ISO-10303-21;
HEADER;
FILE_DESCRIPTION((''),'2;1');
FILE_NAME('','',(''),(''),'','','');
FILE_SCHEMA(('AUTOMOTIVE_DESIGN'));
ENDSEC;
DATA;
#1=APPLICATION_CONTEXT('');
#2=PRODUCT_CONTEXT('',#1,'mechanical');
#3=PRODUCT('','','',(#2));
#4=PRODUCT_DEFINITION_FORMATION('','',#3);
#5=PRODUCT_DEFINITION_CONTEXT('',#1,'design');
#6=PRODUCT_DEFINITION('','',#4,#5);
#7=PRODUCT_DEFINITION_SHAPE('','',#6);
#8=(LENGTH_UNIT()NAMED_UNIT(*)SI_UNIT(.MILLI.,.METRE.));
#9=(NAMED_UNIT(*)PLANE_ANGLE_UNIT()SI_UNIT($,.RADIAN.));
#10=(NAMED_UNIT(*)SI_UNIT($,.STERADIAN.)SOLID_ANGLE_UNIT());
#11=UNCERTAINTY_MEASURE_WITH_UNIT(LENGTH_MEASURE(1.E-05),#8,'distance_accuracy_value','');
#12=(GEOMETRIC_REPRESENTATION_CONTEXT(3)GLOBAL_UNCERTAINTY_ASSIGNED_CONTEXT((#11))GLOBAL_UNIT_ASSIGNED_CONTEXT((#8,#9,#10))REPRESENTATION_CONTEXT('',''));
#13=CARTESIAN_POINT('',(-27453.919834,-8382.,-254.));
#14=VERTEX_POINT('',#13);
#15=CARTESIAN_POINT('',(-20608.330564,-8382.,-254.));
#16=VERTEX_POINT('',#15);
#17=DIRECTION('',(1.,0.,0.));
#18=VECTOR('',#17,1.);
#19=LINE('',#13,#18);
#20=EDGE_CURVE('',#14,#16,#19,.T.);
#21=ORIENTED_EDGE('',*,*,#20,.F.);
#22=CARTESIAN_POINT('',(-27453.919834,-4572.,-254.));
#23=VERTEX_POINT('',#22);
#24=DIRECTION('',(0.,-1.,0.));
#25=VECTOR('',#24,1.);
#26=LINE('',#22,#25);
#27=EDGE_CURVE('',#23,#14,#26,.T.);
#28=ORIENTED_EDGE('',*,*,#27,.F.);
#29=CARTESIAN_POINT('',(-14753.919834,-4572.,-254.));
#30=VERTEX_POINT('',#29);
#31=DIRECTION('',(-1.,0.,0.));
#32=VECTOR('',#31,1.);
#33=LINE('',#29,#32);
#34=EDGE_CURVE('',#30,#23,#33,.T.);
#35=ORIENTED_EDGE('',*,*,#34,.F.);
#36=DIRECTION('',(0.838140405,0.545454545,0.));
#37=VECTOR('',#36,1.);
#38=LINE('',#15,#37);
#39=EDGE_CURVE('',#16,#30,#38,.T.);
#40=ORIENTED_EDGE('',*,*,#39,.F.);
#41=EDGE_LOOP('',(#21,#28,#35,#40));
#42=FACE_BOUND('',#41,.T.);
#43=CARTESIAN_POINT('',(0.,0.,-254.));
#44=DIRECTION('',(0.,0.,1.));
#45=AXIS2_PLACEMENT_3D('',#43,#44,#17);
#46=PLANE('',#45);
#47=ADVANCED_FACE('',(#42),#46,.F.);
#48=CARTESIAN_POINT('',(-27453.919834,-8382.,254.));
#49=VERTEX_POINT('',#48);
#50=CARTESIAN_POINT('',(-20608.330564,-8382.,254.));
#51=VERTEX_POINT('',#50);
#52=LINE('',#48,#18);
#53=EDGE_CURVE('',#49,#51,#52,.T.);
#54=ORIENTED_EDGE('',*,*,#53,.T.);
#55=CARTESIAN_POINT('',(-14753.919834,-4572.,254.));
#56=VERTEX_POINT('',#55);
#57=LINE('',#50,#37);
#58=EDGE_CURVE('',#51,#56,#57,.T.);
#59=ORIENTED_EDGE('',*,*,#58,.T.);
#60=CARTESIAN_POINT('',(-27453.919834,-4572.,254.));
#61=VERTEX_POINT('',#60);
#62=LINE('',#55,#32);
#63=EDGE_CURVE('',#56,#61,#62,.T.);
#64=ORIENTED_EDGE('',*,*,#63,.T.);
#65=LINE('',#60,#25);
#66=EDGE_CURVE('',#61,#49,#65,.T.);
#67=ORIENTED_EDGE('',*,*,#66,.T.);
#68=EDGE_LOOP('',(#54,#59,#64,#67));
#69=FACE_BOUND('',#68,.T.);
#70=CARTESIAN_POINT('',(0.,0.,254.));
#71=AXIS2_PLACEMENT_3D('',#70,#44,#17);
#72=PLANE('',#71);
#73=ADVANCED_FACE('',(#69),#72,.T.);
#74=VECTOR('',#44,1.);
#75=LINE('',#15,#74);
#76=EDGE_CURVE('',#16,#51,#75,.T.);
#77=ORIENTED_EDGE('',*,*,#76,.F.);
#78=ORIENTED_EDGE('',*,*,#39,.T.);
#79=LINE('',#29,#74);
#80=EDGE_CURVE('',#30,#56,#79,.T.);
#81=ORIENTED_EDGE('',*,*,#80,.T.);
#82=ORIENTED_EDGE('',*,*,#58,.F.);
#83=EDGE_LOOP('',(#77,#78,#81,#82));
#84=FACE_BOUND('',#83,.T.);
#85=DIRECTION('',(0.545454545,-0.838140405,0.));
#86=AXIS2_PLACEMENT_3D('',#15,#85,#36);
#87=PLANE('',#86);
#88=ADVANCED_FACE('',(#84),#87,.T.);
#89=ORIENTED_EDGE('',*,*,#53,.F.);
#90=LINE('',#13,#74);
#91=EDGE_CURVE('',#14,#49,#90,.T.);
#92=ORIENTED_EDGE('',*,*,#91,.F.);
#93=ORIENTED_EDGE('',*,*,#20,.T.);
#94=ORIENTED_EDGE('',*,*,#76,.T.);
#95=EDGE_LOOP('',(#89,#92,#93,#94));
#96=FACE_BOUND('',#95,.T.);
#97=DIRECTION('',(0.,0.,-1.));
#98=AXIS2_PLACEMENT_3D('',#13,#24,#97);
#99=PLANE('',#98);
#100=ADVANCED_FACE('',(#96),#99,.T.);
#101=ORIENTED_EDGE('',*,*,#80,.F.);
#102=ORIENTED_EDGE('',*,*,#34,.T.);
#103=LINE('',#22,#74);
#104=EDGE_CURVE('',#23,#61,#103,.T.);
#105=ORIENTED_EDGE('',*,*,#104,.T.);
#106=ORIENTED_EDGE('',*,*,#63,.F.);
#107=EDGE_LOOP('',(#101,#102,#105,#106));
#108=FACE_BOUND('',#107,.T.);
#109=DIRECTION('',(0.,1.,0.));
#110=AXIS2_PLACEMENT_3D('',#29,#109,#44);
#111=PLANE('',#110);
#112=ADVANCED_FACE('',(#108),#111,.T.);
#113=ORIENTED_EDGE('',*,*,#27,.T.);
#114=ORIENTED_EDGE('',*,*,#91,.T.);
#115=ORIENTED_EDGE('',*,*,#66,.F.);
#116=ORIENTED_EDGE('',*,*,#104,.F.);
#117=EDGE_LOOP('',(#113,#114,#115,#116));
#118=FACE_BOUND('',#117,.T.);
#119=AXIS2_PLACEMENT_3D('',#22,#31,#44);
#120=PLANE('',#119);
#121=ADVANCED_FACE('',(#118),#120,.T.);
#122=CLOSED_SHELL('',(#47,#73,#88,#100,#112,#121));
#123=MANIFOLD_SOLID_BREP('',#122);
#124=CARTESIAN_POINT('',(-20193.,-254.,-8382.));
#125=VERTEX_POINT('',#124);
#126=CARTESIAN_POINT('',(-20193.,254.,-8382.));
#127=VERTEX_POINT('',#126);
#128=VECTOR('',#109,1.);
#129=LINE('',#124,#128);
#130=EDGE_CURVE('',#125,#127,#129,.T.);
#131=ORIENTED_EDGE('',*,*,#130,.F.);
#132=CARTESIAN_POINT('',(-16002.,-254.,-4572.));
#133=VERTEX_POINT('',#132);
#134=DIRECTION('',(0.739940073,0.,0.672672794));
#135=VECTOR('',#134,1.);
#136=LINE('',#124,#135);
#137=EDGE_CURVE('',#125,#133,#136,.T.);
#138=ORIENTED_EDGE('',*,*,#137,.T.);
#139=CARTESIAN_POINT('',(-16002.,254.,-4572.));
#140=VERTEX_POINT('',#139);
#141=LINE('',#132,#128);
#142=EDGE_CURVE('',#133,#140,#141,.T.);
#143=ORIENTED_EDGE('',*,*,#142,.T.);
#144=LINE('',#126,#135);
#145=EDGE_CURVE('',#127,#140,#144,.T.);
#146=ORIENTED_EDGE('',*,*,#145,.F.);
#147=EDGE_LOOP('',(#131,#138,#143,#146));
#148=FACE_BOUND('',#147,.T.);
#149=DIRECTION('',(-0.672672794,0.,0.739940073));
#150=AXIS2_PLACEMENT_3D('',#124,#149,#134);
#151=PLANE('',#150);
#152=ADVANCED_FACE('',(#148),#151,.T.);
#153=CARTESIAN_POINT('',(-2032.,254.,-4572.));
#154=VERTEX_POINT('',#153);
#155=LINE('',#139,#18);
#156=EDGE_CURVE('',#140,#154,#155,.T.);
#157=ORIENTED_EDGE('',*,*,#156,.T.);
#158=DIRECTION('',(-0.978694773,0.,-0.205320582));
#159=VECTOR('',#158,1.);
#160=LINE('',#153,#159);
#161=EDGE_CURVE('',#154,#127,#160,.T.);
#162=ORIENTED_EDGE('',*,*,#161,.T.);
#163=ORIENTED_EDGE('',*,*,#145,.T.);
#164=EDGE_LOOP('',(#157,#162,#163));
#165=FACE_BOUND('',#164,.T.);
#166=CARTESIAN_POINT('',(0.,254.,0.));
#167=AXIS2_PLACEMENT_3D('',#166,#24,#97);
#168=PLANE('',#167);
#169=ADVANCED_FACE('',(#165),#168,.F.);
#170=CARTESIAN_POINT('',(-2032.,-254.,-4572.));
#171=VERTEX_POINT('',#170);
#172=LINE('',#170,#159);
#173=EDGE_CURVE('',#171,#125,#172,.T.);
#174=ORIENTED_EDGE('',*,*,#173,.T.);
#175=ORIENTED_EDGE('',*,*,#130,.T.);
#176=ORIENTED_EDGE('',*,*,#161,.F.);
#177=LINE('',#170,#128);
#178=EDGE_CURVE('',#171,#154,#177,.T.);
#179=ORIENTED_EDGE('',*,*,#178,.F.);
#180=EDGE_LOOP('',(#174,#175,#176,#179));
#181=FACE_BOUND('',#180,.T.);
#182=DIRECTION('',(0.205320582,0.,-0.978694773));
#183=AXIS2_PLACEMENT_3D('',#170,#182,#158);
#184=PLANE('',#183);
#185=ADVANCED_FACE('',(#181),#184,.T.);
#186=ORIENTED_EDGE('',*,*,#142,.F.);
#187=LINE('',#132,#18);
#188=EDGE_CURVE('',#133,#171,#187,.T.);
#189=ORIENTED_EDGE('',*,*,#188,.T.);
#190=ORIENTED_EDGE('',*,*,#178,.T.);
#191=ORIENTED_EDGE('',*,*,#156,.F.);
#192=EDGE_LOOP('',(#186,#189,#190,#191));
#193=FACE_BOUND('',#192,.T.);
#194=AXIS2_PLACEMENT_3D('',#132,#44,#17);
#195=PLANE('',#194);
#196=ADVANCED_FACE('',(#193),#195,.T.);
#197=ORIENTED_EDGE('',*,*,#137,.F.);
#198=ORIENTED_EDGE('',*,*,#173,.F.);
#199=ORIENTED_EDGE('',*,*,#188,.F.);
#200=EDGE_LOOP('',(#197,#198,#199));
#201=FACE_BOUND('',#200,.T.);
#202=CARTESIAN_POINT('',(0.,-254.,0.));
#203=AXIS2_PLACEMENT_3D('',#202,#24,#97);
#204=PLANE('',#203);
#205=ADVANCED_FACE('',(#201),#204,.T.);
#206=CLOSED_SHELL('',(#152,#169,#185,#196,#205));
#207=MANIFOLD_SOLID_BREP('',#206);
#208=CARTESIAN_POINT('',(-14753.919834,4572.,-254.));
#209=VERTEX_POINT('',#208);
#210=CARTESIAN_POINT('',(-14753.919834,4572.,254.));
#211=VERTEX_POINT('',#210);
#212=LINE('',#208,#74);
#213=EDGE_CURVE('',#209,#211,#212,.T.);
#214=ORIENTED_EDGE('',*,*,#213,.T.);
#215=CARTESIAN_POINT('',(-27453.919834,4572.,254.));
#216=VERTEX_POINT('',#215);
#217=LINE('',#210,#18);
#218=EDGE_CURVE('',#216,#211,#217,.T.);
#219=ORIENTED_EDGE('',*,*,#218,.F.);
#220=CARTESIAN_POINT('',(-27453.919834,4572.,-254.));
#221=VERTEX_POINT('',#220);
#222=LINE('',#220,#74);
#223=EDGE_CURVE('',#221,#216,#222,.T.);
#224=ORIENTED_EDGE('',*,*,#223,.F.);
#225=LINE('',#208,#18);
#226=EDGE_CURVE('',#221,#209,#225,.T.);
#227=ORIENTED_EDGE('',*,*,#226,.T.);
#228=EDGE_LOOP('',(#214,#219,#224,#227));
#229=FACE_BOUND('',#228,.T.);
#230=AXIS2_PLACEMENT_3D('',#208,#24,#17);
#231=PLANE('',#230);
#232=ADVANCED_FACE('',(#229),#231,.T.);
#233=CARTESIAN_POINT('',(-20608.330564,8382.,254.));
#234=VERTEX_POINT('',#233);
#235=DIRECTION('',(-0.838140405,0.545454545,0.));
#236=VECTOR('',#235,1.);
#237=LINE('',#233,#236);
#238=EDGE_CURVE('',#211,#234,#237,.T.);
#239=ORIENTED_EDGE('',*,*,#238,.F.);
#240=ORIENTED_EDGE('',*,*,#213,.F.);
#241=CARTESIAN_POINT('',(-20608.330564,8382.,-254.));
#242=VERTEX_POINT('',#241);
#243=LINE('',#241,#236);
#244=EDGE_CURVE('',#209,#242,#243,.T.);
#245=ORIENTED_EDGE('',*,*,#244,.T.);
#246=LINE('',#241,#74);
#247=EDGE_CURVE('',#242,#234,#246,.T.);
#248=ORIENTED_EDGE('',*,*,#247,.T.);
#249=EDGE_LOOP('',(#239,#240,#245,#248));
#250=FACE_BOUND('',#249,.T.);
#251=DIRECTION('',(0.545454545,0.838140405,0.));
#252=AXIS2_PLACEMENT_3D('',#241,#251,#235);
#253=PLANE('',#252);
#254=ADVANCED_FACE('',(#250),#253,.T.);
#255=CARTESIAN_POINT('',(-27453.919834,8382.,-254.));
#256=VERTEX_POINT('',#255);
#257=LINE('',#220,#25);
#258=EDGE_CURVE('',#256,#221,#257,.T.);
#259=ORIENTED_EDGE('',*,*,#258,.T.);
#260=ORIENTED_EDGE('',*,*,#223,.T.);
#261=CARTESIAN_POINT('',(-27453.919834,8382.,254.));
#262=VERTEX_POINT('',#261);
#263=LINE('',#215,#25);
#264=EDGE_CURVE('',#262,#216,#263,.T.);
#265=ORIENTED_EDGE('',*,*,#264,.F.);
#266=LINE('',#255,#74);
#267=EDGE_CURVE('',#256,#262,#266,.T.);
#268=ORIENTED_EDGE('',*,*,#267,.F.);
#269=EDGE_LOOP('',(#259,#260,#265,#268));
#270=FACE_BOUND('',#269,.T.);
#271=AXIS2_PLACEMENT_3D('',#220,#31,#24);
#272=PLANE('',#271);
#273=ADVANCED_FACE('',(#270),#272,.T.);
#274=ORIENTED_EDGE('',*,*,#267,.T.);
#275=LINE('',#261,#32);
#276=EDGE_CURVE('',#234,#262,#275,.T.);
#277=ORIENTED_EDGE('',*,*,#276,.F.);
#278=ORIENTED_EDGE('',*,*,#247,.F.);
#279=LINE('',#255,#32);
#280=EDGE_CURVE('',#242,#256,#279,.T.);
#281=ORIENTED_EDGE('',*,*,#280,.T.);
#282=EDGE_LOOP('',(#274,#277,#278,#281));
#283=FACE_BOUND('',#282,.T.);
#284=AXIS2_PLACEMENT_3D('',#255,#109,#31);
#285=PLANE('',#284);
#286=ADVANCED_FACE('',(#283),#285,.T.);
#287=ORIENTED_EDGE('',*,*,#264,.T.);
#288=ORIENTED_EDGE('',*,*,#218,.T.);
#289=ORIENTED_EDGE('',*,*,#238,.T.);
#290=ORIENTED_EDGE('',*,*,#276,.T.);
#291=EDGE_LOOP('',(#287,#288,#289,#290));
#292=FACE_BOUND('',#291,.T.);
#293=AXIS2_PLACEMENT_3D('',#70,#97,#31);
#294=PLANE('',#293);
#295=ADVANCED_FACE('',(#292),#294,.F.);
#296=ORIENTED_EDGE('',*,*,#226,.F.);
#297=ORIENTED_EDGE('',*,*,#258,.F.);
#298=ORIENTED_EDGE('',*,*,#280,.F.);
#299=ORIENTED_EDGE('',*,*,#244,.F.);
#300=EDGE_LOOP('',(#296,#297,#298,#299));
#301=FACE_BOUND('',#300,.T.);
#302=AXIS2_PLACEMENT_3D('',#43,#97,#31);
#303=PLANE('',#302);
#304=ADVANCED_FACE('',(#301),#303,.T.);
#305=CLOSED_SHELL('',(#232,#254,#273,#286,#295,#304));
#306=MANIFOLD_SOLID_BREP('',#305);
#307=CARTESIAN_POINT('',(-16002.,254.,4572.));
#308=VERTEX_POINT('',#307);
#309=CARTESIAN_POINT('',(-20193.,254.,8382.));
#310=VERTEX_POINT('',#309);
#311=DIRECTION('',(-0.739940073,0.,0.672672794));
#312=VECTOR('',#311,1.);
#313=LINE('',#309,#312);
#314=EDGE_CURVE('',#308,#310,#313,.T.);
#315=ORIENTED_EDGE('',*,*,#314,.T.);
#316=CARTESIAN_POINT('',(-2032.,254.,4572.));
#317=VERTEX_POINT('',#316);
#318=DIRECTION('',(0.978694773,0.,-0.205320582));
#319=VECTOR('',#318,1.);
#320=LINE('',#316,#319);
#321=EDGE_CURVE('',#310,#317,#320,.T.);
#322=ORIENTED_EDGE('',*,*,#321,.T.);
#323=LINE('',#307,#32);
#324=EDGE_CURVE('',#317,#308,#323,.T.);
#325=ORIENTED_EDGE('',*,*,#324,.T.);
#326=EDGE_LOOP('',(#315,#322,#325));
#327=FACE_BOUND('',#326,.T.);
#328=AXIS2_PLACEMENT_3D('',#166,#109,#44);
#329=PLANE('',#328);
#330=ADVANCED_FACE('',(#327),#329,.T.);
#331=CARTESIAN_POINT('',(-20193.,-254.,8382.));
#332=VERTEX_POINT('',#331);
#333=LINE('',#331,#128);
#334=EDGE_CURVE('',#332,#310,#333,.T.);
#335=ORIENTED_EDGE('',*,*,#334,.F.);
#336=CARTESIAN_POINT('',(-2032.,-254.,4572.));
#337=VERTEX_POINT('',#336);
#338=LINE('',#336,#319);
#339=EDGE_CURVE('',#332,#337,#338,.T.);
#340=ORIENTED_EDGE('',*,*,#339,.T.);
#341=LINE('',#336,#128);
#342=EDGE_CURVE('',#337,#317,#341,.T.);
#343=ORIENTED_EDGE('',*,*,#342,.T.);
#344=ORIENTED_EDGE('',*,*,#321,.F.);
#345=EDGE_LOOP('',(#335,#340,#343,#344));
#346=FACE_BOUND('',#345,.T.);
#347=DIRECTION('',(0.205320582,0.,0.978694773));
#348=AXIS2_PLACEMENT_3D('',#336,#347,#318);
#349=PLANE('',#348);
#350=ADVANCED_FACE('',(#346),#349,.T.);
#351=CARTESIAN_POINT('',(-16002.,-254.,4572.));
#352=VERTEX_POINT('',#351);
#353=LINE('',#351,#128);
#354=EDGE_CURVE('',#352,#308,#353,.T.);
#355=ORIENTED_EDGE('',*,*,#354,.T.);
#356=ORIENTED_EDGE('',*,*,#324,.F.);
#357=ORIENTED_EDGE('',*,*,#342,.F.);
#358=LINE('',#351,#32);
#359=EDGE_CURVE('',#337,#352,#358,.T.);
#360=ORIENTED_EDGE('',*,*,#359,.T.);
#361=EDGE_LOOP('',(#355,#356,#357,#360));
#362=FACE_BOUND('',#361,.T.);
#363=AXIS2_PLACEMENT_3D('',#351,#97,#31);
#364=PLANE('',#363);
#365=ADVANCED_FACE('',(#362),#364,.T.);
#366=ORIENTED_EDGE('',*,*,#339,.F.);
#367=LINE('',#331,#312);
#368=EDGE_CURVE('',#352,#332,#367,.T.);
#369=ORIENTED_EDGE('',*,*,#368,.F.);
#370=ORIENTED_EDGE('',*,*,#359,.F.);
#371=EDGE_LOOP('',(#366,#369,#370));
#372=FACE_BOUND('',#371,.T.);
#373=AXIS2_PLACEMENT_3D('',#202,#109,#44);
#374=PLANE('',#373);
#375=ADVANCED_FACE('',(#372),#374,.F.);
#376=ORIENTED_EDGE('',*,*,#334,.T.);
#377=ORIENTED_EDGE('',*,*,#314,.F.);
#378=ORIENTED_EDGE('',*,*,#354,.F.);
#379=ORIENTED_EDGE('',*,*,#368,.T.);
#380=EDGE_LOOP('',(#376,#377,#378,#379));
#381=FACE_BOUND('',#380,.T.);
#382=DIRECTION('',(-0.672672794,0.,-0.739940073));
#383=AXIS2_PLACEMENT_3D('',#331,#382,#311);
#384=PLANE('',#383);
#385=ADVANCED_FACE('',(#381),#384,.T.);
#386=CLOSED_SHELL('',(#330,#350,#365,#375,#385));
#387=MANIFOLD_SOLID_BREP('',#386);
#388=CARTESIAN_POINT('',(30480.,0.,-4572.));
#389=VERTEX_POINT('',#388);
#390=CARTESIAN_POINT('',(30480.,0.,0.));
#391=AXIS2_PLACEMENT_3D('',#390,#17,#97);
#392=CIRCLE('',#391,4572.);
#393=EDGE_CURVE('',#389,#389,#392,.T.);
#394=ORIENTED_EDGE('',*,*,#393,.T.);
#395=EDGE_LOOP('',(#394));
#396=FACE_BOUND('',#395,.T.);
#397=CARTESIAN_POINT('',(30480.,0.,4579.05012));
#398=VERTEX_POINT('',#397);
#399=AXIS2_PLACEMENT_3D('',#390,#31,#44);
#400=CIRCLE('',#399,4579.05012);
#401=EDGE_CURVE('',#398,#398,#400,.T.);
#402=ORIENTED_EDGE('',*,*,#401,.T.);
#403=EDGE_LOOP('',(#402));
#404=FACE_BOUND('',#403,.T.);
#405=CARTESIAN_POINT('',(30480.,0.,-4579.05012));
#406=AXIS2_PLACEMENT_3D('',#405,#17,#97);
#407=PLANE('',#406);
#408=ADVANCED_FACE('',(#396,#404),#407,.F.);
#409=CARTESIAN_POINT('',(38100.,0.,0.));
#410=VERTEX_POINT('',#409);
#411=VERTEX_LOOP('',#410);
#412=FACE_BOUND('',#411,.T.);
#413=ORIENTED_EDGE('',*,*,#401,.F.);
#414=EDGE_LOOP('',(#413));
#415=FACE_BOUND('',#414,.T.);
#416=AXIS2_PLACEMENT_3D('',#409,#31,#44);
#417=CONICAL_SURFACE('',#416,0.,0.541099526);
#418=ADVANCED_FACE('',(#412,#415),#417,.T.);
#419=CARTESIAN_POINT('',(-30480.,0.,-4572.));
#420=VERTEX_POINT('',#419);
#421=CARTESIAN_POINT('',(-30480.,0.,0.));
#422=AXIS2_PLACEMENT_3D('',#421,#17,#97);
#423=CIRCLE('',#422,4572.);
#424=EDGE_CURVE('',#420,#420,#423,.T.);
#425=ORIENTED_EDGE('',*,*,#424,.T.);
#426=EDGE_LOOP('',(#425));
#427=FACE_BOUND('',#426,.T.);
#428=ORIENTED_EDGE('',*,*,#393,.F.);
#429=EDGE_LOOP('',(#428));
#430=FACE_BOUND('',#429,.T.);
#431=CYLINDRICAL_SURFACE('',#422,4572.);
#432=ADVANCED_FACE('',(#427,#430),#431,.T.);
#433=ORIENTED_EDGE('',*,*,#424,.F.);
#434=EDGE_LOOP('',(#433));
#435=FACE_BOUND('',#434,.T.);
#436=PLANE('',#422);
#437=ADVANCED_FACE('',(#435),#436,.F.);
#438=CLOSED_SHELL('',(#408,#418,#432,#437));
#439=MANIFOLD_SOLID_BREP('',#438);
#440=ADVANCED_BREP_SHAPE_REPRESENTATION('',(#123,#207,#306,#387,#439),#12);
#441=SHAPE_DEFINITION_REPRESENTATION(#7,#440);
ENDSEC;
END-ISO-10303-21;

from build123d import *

# Parameters (mm, degrees)
BOSS_EXTRUDE1_DEPTH        = 30480
BOSS_EXTRUDE1_DEPTH_BACK   = 30480
SKETCH1_R                  = 4572
BOSS_EXTRUDE2_DEPTH        = 254
BOSS_EXTRUDE2_DEPTH_BACK   = 254
BOSS_EXTRUDE2_2_DEPTH      = 254
BOSS_EXTRUDE2_2_DEPTH_BACK = 254
BOSS_EXTRUDE3_DEPTH        = 254
BOSS_EXTRUDE3_DEPTH_BACK   = 254
BOSS_EXTRUDE3_2_DEPTH      = 254
BOSS_EXTRUDE3_2_DEPTH_BACK = 254


with BuildPart() as part:
    # Sketch1 → Boss-Extrude1 (new, two sides: drawn at the far end of the back side and taken through both)
    with BuildSketch(Plane(origin=(0, 0, 0), x_dir=(0, 0, -1), z_dir=(1, 0, 0)).offset(-BOSS_EXTRUDE1_DEPTH_BACK)):
        Circle(SKETCH1_R)
    extrude(amount=BOSS_EXTRUDE1_DEPTH + BOSS_EXTRUDE1_DEPTH_BACK)

    # Sketch3 → Revolve1 (revolve)
    with BuildSketch(Plane(origin=(0, 0, 0), x_dir=(1, 0, 0), z_dir=(0, 1, 0))):
        Polygon((30480, 0), (38100, 0), (30480, 4579.050119839), align=None)
    revolve(axis=Axis((30480, 0, 0), (1, 0, 0)))


with BuildPart() as body_2:
    # Sketch4 → Boss-Extrude2 (new, two sides: drawn at the far end of the back side and taken through both)
    with BuildSketch(Plane.XY.offset(-BOSS_EXTRUDE2_DEPTH_BACK)):
        Polygon((-27453.919833627, 4572), (-27453.919833627, 8382), (-20608.330564008, 8382), (-14753.919833627, 4572), align=None)
    extrude(amount=BOSS_EXTRUDE2_DEPTH + BOSS_EXTRUDE2_DEPTH_BACK)


with BuildPart() as body_3:
    # Sketch4 → Boss-Extrude2 2 (new, two sides: drawn at the far end of the back side and taken through both)
    with BuildSketch(Plane.XY.offset(-BOSS_EXTRUDE2_2_DEPTH_BACK)):
        Polygon((-27453.919833627, -4572), (-27453.919833627, -8382), (-20608.330564008, -8382), (-14753.919833627, -4572), align=None)
    extrude(amount=BOSS_EXTRUDE2_2_DEPTH + BOSS_EXTRUDE2_2_DEPTH_BACK)


with BuildPart() as body_4:
    # Sketch5 → Boss-Extrude3 (new, two sides: drawn at the far end of the back side and taken through both)
    with BuildSketch(Plane(origin=(0, 0, 0), x_dir=(1, 0, 0), z_dir=(0, 1, 0)).offset(-BOSS_EXTRUDE3_DEPTH_BACK)):
        Polygon((-2032, 4572), (-20193, 8382), (-16002, 4572), align=None)
    extrude(amount=BOSS_EXTRUDE3_DEPTH + BOSS_EXTRUDE3_DEPTH_BACK)


with BuildPart() as body_5:
    # Sketch5 → Boss-Extrude3 2 (new, two sides: drawn at the far end of the back side and taken through both)
    with BuildSketch(Plane(origin=(0, 0, 0), x_dir=(1, 0, 0), z_dir=(0, 1, 0)).offset(-BOSS_EXTRUDE3_2_DEPTH_BACK)):
        Polygon((-2032, -4572), (-20193, -8382), (-16002, -4572), align=None)
    extrude(amount=BOSS_EXTRUDE3_2_DEPTH + BOSS_EXTRUDE3_2_DEPTH_BACK)


solid = Compound([part.part, body_2.part, body_3.part, body_4.part, body_5.part])
